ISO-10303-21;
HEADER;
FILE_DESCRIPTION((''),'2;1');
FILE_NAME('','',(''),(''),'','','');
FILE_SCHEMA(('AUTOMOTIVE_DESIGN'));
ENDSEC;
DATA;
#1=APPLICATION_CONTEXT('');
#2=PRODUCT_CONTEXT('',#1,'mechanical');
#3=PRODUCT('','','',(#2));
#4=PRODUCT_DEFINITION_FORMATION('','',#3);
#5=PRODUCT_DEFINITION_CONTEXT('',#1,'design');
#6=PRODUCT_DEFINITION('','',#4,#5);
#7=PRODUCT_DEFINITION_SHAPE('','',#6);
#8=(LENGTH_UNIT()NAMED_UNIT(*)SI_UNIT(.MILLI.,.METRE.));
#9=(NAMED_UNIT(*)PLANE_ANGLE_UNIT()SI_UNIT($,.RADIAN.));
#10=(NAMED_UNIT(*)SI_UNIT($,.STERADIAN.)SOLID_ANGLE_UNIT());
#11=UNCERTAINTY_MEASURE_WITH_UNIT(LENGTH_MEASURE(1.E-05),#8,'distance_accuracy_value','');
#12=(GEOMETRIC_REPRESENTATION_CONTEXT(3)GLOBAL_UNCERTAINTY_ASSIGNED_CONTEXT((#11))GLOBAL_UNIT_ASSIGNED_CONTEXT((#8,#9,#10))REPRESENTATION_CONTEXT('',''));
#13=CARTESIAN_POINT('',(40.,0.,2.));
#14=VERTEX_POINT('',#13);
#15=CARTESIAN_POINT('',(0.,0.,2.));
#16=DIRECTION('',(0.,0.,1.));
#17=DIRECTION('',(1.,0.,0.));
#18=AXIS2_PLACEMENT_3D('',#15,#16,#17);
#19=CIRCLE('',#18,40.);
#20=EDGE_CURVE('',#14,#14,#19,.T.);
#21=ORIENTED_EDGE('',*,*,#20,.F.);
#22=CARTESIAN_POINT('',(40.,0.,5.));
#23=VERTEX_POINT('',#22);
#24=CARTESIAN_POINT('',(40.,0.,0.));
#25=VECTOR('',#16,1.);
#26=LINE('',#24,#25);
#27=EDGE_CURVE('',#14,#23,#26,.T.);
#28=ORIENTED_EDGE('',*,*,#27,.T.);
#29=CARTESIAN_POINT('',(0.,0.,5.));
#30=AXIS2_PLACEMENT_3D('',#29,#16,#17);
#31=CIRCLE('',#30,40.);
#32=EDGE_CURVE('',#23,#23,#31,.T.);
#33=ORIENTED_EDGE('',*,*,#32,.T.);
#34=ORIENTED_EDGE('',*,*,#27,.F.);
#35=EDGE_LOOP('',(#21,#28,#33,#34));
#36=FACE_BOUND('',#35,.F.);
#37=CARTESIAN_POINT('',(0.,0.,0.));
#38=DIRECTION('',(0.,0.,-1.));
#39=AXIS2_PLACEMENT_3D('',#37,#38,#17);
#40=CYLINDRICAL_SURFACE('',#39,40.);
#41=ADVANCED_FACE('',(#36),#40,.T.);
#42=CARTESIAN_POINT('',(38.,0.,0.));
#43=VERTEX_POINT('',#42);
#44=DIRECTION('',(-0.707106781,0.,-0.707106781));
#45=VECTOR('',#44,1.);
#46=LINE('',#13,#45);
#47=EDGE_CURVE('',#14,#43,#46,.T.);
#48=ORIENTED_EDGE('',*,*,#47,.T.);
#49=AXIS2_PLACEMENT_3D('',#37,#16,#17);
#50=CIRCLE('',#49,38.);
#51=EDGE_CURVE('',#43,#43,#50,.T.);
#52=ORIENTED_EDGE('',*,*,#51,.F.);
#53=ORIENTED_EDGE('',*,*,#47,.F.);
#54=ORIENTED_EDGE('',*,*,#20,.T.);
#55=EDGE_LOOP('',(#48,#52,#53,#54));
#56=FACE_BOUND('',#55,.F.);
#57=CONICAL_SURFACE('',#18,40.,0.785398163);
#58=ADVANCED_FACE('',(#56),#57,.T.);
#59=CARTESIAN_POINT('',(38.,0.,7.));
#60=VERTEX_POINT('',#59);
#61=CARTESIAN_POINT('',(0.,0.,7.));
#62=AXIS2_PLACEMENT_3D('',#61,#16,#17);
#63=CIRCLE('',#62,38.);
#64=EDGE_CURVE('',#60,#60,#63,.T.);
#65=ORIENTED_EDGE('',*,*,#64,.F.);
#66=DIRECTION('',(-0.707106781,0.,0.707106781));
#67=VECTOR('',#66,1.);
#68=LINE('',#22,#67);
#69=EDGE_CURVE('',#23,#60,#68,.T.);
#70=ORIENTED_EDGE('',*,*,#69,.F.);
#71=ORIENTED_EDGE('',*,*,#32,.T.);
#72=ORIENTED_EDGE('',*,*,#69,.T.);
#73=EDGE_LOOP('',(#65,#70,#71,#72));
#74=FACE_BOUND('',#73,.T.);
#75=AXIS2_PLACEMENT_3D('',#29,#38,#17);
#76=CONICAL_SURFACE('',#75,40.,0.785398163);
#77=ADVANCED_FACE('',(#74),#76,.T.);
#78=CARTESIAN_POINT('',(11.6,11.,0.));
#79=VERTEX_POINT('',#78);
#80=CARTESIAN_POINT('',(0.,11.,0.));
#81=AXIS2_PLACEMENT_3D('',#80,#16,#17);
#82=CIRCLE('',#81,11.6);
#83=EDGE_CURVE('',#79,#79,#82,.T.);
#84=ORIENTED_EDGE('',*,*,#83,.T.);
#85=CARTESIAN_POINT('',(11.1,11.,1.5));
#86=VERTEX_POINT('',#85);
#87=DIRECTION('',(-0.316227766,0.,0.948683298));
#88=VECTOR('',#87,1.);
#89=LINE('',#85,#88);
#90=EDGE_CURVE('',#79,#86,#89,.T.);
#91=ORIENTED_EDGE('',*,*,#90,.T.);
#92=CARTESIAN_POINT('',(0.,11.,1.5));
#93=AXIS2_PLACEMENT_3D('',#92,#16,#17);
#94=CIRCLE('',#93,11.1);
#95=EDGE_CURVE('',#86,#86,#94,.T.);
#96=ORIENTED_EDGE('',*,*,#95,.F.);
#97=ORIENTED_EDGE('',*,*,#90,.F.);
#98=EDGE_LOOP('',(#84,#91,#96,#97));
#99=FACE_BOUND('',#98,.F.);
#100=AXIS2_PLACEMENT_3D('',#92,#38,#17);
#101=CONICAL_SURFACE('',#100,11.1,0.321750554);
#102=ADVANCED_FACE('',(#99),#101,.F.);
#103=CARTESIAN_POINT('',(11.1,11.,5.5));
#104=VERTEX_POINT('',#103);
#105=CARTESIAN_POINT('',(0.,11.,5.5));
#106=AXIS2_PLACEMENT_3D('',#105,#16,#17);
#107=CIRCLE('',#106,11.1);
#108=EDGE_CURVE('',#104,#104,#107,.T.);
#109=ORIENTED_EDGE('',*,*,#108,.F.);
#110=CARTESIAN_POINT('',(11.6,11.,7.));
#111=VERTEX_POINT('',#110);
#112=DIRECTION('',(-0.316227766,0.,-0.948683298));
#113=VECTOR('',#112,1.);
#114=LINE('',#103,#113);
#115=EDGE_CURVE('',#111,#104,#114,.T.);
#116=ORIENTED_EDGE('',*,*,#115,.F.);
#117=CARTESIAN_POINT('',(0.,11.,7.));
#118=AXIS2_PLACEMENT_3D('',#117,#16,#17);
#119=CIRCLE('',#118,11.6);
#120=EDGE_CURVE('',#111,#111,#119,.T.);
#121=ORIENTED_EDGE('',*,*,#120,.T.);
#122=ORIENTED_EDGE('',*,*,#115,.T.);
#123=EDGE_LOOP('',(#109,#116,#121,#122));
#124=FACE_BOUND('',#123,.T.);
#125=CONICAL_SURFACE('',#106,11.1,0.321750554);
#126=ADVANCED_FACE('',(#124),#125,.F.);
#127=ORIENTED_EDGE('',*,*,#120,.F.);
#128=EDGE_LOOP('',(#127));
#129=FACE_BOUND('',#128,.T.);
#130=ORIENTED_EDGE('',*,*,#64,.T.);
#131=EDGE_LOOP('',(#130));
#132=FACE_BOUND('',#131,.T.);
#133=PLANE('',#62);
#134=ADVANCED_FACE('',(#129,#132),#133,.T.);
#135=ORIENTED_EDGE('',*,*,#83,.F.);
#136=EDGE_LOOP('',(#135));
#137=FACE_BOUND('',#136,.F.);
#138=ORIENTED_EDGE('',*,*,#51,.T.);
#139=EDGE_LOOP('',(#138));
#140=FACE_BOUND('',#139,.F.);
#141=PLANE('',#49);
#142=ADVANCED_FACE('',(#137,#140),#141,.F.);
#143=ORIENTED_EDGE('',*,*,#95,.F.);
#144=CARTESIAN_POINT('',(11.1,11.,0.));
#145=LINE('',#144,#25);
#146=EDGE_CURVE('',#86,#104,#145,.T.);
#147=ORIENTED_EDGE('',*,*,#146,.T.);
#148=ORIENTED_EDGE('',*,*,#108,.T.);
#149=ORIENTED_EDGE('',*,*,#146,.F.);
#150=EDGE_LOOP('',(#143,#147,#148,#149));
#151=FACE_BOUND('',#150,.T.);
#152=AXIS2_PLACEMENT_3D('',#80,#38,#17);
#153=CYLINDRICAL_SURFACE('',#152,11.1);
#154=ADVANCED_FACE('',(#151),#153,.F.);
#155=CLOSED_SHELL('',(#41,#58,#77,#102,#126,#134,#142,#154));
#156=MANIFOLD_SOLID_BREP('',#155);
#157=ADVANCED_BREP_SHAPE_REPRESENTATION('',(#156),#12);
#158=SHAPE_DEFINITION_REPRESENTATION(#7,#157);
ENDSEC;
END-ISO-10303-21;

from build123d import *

# Parameters (mm, degrees)
F0_R     = 40
F0_R_2   = 11.1
F1_DEPTH = 7
F2_SIZE  = 2
F3_SIZE2 = 1.5
F3_SIZE  = 0.5


with BuildPart() as f1:
    # F0 (on Top) → F1 (new body)
    with BuildSketch(Plane.XY):
        Circle(F0_R)
        with Locations((0, 11)):
            Circle(F0_R_2, mode=Mode.SUBTRACT)
    extrude(amount=F1_DEPTH)

    # F2
    f2_edges = [f1.edges().sort_by_distance(p)[0] for p in [
        (-40, 0, 7),
        (-40, 0, 0),
    ]]
    chamfer(f2_edges, length=F2_SIZE)

    # F3
    f3_edges = [f1.edges().sort_by_distance(p)[0] for p in [
        (-11.1, 11, 0),
        (-11.1, 11, 7),
    ]]
    chamfer(f3_edges, length=F3_SIZE, length2=F3_SIZE2)


solid = f1.part
